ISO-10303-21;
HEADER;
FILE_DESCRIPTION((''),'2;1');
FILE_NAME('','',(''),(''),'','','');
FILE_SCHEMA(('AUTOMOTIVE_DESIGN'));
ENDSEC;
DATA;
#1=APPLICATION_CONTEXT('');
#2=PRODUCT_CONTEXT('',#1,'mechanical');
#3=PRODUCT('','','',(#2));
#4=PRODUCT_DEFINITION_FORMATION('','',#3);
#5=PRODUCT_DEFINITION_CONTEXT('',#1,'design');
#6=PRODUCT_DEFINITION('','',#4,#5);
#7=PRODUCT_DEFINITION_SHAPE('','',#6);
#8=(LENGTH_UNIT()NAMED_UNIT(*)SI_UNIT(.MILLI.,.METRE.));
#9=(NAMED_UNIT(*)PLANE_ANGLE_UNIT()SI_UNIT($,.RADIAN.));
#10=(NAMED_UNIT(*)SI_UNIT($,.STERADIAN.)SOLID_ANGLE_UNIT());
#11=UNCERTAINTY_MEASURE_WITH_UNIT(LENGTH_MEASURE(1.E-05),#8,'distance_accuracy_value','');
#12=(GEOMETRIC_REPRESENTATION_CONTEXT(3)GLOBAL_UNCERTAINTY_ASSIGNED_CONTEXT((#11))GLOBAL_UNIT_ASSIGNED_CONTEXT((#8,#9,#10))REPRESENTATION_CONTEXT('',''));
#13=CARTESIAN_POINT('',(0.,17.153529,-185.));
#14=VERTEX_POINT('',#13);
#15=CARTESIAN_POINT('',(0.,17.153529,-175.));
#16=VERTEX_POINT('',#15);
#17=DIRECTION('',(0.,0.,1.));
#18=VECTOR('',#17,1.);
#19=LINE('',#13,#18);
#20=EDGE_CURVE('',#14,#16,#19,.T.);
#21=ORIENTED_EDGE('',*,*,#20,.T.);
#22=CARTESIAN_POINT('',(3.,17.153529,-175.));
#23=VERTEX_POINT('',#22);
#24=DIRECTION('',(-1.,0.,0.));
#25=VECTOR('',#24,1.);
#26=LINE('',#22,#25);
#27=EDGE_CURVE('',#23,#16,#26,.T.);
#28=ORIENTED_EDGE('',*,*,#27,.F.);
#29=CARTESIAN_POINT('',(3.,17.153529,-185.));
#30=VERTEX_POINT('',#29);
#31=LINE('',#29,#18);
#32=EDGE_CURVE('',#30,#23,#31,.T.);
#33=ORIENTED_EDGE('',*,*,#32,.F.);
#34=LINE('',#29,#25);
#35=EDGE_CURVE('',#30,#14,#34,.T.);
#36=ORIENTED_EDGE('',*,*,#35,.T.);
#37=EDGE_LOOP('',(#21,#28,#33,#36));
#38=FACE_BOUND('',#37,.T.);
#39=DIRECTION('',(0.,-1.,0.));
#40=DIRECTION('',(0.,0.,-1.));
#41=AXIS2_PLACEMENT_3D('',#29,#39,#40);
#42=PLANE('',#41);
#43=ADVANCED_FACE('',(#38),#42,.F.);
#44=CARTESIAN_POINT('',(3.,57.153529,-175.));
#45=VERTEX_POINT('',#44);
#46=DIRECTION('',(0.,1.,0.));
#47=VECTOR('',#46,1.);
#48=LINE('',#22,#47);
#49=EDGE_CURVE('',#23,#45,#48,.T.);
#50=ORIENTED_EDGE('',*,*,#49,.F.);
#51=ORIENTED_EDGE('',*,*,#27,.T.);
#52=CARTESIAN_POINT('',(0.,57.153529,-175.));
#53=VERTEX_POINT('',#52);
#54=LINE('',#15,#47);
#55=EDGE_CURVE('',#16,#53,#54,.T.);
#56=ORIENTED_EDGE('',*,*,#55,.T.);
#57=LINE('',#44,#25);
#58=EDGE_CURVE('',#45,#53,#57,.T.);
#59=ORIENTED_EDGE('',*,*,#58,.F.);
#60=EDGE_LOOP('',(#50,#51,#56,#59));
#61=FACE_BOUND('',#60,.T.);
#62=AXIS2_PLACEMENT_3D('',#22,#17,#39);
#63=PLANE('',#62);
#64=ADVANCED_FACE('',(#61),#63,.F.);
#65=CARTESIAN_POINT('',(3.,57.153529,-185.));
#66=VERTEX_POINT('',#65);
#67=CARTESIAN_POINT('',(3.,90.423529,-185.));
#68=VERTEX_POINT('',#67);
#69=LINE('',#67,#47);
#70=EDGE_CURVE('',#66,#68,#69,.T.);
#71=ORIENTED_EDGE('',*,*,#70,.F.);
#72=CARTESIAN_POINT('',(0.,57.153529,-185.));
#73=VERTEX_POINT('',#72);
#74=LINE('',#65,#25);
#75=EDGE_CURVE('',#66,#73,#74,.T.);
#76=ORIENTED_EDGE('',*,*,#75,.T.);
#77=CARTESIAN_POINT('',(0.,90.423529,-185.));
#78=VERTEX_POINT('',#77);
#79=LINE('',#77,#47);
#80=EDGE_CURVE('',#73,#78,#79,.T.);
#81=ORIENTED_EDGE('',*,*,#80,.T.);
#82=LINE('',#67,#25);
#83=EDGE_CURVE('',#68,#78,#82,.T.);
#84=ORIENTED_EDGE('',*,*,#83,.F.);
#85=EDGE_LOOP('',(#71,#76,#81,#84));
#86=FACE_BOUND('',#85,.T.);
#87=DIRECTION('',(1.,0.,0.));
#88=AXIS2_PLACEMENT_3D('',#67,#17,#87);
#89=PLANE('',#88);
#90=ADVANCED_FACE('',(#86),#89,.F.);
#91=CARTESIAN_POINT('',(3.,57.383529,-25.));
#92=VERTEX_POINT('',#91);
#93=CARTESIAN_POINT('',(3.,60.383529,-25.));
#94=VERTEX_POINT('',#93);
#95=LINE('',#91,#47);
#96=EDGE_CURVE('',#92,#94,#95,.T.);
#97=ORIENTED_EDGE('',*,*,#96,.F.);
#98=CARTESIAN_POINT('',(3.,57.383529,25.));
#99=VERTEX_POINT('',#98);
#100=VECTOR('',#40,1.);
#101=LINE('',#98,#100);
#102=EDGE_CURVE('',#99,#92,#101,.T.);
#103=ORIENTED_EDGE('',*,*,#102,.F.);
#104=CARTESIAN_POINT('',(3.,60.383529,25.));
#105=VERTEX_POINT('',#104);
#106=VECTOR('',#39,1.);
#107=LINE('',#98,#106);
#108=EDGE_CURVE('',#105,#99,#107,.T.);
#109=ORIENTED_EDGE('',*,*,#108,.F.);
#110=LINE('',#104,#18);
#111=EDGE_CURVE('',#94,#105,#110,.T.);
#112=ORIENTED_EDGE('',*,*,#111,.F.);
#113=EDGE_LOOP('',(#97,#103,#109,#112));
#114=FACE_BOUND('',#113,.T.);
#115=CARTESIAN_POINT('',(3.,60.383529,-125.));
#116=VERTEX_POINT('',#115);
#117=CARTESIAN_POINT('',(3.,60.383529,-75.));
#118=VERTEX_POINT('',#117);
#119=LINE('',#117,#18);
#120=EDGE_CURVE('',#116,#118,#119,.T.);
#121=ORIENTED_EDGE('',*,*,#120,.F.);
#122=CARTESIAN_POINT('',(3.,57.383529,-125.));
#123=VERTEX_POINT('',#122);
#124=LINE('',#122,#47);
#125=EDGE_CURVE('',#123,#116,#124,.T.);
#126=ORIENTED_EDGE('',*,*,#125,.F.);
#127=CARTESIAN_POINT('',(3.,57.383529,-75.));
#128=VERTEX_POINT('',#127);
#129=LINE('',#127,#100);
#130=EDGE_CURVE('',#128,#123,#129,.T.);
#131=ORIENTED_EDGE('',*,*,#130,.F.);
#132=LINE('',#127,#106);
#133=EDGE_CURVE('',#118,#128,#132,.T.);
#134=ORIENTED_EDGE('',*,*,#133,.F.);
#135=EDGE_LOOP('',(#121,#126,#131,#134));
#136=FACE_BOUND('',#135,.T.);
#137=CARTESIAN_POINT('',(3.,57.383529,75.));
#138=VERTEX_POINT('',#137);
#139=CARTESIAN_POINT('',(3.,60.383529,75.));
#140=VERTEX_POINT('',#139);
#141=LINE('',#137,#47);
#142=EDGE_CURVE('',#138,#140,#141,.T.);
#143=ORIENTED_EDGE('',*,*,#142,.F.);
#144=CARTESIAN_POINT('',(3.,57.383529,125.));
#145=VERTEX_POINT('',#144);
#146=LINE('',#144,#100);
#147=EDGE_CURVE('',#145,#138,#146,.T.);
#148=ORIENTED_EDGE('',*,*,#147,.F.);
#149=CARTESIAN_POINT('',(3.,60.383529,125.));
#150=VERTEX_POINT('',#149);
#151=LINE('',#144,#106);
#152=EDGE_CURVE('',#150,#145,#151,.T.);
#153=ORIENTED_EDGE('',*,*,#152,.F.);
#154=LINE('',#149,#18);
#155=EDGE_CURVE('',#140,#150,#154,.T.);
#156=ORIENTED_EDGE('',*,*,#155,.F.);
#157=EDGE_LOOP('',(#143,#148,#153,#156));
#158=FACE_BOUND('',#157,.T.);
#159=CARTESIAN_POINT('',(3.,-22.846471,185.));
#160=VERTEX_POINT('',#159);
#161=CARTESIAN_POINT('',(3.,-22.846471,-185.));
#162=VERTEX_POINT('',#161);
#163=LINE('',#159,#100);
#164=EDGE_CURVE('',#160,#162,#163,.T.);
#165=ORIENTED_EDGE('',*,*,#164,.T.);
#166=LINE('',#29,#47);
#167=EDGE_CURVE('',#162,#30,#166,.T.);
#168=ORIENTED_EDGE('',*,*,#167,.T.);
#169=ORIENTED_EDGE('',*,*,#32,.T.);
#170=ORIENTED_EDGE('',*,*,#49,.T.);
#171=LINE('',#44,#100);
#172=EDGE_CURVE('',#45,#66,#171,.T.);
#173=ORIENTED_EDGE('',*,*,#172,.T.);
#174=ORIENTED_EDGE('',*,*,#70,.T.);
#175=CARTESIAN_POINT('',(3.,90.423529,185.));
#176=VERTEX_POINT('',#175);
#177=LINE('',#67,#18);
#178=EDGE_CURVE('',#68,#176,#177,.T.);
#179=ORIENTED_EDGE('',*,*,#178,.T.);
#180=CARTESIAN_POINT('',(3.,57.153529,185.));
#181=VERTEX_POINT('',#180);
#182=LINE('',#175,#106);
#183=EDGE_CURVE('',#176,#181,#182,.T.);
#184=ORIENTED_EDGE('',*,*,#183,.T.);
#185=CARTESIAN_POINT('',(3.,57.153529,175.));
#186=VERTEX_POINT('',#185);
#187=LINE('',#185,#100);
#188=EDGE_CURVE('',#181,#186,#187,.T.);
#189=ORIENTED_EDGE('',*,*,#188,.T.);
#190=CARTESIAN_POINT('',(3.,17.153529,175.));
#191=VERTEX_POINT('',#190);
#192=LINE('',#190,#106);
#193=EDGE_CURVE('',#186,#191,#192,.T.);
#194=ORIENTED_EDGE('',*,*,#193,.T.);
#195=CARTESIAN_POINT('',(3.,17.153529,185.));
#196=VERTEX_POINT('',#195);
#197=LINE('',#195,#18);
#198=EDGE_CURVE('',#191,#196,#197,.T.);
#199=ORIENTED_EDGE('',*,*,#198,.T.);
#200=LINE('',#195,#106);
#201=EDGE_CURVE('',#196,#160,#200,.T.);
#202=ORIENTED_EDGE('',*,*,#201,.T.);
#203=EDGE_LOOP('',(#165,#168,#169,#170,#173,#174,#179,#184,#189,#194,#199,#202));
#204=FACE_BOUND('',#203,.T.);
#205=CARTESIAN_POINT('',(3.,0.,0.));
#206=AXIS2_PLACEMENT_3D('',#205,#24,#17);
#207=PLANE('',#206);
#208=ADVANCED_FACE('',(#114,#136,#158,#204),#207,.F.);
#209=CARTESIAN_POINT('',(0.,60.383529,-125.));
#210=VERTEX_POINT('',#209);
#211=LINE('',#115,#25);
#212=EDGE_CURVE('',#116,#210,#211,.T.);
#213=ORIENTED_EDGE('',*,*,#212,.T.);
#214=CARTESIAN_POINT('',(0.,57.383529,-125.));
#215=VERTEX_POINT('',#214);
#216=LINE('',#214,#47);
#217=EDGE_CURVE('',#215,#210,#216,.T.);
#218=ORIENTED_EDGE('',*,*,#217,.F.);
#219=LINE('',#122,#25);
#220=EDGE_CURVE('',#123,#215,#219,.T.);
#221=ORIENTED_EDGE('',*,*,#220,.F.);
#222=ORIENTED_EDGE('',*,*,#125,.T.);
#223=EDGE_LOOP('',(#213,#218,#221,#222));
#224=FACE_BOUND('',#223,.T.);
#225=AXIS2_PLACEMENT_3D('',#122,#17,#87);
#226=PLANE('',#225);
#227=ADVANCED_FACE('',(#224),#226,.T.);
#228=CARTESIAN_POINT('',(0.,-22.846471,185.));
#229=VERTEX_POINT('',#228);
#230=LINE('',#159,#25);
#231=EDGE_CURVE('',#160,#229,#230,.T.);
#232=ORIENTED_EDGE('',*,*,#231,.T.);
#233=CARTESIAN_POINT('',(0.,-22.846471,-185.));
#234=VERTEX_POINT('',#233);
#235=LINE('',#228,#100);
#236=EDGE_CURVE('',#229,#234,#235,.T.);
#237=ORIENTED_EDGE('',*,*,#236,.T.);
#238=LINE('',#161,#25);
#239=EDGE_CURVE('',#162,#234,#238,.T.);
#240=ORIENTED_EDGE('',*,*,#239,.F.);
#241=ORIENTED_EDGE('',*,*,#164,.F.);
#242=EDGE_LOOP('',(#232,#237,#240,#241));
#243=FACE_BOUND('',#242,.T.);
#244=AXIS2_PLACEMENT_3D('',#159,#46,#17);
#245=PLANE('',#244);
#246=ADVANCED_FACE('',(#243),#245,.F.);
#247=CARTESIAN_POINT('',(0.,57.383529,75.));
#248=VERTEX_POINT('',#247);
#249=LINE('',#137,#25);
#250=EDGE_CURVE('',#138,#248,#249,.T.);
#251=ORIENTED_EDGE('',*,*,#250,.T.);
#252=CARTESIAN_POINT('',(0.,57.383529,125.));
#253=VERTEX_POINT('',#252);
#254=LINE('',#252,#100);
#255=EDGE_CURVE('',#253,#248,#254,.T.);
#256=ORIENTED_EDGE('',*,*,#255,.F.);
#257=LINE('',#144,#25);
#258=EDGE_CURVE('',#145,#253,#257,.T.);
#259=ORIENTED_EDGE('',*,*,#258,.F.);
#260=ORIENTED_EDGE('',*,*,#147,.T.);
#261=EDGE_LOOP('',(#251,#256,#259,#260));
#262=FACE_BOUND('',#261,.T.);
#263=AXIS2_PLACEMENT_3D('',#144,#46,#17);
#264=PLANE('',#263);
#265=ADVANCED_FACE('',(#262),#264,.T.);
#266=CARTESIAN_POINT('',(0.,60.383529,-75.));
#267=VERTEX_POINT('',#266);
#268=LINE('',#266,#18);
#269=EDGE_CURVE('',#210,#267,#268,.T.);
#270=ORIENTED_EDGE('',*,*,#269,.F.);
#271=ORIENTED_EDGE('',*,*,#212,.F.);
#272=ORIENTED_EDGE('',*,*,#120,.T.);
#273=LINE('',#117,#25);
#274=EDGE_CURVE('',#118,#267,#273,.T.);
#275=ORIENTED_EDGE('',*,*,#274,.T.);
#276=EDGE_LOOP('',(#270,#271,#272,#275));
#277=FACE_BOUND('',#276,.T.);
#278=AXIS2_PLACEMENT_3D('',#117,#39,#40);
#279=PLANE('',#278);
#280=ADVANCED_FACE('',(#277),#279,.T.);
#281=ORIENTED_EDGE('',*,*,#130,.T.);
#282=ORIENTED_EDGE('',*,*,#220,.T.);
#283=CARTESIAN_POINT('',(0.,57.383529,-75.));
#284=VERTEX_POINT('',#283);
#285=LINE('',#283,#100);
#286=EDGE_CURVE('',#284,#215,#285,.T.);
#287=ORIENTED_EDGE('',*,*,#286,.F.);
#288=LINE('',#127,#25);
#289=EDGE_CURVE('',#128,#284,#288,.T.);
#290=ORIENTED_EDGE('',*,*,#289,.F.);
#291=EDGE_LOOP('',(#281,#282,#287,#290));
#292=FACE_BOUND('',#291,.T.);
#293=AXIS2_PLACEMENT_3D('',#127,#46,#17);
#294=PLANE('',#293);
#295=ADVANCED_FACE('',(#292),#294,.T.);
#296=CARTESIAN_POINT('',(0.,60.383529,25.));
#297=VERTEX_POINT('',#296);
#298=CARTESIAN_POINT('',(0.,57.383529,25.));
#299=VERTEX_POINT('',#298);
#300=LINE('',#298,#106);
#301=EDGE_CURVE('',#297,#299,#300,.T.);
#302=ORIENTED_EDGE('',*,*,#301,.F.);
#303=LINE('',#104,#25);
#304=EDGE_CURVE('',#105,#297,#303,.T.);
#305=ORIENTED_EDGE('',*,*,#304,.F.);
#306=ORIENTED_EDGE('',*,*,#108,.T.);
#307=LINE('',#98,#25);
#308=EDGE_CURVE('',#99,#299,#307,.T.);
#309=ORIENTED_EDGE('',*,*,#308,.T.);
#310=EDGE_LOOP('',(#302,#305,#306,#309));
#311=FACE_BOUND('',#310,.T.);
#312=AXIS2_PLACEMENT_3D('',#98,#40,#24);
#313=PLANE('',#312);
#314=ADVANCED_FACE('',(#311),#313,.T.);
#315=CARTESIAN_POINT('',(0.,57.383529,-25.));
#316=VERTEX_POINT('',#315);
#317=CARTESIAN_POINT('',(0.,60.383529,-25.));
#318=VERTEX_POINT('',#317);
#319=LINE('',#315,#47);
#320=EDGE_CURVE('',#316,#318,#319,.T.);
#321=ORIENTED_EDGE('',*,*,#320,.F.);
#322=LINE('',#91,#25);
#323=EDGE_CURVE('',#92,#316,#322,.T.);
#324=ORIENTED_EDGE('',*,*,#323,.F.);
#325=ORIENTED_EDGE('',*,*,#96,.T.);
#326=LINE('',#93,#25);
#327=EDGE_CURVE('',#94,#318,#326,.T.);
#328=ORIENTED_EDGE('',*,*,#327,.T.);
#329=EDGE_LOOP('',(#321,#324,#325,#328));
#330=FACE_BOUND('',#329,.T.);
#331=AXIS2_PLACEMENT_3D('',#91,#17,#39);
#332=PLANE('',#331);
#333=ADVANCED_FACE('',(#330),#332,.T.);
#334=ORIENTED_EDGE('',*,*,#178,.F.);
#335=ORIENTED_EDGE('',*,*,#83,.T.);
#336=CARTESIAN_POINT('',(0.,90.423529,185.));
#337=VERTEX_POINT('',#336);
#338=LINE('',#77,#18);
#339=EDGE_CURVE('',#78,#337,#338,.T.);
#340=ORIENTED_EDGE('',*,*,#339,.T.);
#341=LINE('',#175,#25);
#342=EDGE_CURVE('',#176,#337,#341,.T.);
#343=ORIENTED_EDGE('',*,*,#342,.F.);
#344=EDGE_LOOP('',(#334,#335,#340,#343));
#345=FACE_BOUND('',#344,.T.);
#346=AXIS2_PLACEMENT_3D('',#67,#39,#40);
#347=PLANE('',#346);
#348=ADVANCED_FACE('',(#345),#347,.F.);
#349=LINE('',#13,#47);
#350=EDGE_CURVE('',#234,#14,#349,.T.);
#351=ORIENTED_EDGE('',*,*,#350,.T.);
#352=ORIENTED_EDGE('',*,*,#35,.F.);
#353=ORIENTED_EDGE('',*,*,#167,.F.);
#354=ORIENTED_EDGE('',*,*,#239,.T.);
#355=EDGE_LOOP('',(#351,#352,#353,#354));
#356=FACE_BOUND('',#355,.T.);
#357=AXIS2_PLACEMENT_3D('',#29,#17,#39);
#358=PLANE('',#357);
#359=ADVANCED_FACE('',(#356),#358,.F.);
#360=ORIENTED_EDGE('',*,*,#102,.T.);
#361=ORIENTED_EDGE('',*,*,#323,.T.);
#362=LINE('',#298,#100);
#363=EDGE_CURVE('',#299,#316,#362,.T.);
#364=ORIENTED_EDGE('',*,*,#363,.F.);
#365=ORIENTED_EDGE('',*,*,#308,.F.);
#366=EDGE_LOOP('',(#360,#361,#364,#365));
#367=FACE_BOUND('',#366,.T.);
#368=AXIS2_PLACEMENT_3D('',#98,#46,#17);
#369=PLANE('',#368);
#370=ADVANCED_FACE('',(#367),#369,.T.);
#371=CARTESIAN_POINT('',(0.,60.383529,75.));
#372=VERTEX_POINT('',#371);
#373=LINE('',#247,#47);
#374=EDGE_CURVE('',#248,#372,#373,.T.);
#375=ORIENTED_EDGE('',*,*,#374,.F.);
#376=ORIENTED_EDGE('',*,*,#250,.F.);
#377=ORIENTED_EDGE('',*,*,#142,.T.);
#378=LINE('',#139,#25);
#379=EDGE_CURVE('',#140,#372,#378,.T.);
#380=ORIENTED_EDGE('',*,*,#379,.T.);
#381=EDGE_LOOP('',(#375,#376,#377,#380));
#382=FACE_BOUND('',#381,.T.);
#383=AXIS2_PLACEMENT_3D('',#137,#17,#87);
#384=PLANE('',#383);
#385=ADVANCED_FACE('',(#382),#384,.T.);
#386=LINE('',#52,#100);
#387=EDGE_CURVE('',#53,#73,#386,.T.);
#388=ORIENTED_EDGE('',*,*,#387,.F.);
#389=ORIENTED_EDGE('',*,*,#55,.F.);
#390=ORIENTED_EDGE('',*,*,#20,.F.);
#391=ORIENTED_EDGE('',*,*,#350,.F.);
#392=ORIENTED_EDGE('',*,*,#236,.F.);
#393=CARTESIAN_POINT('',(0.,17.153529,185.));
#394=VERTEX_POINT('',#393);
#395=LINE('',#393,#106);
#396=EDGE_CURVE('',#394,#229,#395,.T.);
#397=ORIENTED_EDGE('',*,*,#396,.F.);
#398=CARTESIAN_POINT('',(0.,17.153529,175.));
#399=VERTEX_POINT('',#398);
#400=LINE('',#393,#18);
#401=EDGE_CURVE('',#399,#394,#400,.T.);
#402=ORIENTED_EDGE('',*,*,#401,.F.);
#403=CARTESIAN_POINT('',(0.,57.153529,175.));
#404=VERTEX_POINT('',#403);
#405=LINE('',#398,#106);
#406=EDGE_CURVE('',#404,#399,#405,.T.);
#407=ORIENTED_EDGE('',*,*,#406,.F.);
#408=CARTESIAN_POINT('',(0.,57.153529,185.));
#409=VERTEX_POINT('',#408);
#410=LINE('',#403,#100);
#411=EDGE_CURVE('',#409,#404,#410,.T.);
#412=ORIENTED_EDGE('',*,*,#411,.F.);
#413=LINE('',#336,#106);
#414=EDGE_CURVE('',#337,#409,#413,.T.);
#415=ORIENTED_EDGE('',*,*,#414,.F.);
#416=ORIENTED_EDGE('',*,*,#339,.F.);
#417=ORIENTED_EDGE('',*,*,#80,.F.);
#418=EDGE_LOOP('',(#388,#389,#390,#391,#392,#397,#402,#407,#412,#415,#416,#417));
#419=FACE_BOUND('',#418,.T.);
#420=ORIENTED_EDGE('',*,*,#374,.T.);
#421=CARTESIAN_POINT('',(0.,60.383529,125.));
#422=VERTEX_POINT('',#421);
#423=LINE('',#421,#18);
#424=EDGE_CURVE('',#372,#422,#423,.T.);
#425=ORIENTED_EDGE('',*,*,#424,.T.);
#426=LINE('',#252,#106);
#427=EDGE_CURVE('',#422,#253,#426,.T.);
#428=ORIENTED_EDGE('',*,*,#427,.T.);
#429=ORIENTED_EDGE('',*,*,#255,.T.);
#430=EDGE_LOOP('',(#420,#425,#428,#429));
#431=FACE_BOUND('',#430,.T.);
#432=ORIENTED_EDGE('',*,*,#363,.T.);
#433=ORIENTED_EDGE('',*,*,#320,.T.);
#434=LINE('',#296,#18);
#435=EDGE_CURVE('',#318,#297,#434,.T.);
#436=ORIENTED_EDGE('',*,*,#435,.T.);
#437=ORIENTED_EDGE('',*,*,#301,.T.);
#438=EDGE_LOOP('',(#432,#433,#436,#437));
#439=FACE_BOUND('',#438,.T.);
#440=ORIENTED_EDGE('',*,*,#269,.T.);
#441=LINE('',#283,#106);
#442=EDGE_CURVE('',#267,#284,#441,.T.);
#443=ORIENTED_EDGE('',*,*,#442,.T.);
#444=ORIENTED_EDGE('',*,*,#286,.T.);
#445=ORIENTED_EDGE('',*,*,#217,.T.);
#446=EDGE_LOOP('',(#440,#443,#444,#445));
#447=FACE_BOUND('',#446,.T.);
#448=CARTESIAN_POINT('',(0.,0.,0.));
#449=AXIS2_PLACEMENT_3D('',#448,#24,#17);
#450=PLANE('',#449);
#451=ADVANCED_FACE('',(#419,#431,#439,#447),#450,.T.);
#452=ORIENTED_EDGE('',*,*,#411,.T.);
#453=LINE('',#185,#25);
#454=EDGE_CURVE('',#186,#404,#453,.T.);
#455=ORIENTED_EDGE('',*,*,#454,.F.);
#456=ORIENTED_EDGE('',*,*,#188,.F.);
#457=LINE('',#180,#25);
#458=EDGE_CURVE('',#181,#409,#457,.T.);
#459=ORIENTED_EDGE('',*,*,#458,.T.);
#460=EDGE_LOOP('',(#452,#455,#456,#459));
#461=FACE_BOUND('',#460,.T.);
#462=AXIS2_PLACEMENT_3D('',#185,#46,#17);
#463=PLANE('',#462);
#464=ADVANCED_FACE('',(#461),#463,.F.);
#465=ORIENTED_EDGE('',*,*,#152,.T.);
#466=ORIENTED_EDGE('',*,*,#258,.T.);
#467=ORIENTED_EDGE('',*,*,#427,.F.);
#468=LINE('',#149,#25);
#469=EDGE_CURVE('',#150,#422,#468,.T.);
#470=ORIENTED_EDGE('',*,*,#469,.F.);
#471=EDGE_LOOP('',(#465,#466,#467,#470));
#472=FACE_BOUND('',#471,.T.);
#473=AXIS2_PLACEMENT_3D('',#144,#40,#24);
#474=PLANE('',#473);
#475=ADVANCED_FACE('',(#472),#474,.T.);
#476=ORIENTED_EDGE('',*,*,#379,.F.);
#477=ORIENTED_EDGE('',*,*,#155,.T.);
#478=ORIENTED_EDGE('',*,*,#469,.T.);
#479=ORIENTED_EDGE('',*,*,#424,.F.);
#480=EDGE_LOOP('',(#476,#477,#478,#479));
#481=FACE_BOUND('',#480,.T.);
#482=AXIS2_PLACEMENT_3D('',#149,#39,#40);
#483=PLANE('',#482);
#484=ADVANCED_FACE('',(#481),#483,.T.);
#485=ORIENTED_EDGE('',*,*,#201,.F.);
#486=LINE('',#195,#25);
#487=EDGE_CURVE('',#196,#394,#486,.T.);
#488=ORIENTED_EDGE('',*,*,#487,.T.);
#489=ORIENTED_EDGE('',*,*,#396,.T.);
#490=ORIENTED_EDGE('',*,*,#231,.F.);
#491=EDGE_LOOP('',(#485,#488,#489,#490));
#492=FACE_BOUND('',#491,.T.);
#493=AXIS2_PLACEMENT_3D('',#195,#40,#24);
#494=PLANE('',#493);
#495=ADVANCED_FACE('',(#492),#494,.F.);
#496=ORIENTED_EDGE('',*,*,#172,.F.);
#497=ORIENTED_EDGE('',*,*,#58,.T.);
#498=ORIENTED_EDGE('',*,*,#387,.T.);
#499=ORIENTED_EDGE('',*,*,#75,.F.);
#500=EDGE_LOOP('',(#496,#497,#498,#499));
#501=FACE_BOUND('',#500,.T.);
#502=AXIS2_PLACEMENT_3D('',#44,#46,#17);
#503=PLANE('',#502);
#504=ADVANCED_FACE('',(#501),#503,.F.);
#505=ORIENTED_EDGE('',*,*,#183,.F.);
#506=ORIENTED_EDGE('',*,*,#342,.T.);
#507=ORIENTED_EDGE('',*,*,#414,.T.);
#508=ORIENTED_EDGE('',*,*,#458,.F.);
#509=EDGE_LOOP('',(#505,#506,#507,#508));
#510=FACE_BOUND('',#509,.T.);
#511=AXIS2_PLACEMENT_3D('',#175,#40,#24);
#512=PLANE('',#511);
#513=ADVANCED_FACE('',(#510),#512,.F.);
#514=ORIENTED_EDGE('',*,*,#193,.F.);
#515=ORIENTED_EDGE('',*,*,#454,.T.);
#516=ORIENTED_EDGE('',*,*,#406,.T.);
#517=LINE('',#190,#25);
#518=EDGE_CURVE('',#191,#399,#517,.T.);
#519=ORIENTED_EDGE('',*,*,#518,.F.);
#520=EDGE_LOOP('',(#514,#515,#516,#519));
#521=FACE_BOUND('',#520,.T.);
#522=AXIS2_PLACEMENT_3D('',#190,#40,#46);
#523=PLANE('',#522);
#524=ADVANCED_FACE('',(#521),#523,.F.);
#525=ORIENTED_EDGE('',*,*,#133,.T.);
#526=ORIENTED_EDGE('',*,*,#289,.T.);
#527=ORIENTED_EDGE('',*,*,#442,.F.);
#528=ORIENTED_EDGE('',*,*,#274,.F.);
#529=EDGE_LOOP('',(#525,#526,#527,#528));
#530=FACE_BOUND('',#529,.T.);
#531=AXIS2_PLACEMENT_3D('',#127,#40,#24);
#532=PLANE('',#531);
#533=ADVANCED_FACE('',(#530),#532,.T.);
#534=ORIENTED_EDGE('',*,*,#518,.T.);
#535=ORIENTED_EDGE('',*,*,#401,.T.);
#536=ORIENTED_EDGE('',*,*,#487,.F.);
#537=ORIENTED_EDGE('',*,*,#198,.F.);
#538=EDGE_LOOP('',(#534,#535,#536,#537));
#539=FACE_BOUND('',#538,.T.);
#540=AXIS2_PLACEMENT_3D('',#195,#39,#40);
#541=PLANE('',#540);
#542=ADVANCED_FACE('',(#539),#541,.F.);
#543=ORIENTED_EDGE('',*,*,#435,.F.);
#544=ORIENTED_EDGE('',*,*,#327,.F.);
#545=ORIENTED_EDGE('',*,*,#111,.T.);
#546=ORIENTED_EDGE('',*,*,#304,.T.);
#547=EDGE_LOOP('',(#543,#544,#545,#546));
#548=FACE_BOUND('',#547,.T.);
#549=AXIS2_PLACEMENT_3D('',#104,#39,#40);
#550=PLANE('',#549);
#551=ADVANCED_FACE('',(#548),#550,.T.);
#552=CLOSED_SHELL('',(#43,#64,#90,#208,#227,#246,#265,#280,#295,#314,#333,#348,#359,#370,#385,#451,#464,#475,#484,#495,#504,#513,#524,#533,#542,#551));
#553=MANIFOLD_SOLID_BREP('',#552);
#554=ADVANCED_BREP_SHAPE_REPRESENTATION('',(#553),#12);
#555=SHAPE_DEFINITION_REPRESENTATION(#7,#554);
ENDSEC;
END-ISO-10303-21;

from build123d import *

# Parameters (mm, degrees)
SKETCH_1_W      = 50
SKETCH_1_H      = 3
EXTRUDE_1_DEPTH = 3


with BuildPart() as part:
    # 스케치1 → 보스-돌출1 (new body)
    with BuildSketch(Plane(origin=(0, 0, 0), x_dir=(0, 0, -1), z_dir=(1, 0, 0))):
        Polygon((185, 90.423529412), (-185, 90.423529412), (-185, 57.153529412), (-175, 57.153529412), (-175, 17.153529412), (-185, 17.153529412), (-185, -22.846470588), (185, -22.846470588), (185, 17.153529412), (175, 17.153529412), (175, 57.153529412), (185, 57.153529412), align=None)
        with Locations((-100, 58.883529412)):
            Rectangle(SKETCH_1_W, SKETCH_1_H, mode=Mode.SUBTRACT)
        with Locations((0, 58.883529412)):
            Rectangle(SKETCH_1_W, SKETCH_1_H, mode=Mode.SUBTRACT)
        with Locations((100, 58.883529412)):
            Rectangle(SKETCH_1_W, SKETCH_1_H, mode=Mode.SUBTRACT)
    extrude(amount=EXTRUDE_1_DEPTH)


solid = part.part
